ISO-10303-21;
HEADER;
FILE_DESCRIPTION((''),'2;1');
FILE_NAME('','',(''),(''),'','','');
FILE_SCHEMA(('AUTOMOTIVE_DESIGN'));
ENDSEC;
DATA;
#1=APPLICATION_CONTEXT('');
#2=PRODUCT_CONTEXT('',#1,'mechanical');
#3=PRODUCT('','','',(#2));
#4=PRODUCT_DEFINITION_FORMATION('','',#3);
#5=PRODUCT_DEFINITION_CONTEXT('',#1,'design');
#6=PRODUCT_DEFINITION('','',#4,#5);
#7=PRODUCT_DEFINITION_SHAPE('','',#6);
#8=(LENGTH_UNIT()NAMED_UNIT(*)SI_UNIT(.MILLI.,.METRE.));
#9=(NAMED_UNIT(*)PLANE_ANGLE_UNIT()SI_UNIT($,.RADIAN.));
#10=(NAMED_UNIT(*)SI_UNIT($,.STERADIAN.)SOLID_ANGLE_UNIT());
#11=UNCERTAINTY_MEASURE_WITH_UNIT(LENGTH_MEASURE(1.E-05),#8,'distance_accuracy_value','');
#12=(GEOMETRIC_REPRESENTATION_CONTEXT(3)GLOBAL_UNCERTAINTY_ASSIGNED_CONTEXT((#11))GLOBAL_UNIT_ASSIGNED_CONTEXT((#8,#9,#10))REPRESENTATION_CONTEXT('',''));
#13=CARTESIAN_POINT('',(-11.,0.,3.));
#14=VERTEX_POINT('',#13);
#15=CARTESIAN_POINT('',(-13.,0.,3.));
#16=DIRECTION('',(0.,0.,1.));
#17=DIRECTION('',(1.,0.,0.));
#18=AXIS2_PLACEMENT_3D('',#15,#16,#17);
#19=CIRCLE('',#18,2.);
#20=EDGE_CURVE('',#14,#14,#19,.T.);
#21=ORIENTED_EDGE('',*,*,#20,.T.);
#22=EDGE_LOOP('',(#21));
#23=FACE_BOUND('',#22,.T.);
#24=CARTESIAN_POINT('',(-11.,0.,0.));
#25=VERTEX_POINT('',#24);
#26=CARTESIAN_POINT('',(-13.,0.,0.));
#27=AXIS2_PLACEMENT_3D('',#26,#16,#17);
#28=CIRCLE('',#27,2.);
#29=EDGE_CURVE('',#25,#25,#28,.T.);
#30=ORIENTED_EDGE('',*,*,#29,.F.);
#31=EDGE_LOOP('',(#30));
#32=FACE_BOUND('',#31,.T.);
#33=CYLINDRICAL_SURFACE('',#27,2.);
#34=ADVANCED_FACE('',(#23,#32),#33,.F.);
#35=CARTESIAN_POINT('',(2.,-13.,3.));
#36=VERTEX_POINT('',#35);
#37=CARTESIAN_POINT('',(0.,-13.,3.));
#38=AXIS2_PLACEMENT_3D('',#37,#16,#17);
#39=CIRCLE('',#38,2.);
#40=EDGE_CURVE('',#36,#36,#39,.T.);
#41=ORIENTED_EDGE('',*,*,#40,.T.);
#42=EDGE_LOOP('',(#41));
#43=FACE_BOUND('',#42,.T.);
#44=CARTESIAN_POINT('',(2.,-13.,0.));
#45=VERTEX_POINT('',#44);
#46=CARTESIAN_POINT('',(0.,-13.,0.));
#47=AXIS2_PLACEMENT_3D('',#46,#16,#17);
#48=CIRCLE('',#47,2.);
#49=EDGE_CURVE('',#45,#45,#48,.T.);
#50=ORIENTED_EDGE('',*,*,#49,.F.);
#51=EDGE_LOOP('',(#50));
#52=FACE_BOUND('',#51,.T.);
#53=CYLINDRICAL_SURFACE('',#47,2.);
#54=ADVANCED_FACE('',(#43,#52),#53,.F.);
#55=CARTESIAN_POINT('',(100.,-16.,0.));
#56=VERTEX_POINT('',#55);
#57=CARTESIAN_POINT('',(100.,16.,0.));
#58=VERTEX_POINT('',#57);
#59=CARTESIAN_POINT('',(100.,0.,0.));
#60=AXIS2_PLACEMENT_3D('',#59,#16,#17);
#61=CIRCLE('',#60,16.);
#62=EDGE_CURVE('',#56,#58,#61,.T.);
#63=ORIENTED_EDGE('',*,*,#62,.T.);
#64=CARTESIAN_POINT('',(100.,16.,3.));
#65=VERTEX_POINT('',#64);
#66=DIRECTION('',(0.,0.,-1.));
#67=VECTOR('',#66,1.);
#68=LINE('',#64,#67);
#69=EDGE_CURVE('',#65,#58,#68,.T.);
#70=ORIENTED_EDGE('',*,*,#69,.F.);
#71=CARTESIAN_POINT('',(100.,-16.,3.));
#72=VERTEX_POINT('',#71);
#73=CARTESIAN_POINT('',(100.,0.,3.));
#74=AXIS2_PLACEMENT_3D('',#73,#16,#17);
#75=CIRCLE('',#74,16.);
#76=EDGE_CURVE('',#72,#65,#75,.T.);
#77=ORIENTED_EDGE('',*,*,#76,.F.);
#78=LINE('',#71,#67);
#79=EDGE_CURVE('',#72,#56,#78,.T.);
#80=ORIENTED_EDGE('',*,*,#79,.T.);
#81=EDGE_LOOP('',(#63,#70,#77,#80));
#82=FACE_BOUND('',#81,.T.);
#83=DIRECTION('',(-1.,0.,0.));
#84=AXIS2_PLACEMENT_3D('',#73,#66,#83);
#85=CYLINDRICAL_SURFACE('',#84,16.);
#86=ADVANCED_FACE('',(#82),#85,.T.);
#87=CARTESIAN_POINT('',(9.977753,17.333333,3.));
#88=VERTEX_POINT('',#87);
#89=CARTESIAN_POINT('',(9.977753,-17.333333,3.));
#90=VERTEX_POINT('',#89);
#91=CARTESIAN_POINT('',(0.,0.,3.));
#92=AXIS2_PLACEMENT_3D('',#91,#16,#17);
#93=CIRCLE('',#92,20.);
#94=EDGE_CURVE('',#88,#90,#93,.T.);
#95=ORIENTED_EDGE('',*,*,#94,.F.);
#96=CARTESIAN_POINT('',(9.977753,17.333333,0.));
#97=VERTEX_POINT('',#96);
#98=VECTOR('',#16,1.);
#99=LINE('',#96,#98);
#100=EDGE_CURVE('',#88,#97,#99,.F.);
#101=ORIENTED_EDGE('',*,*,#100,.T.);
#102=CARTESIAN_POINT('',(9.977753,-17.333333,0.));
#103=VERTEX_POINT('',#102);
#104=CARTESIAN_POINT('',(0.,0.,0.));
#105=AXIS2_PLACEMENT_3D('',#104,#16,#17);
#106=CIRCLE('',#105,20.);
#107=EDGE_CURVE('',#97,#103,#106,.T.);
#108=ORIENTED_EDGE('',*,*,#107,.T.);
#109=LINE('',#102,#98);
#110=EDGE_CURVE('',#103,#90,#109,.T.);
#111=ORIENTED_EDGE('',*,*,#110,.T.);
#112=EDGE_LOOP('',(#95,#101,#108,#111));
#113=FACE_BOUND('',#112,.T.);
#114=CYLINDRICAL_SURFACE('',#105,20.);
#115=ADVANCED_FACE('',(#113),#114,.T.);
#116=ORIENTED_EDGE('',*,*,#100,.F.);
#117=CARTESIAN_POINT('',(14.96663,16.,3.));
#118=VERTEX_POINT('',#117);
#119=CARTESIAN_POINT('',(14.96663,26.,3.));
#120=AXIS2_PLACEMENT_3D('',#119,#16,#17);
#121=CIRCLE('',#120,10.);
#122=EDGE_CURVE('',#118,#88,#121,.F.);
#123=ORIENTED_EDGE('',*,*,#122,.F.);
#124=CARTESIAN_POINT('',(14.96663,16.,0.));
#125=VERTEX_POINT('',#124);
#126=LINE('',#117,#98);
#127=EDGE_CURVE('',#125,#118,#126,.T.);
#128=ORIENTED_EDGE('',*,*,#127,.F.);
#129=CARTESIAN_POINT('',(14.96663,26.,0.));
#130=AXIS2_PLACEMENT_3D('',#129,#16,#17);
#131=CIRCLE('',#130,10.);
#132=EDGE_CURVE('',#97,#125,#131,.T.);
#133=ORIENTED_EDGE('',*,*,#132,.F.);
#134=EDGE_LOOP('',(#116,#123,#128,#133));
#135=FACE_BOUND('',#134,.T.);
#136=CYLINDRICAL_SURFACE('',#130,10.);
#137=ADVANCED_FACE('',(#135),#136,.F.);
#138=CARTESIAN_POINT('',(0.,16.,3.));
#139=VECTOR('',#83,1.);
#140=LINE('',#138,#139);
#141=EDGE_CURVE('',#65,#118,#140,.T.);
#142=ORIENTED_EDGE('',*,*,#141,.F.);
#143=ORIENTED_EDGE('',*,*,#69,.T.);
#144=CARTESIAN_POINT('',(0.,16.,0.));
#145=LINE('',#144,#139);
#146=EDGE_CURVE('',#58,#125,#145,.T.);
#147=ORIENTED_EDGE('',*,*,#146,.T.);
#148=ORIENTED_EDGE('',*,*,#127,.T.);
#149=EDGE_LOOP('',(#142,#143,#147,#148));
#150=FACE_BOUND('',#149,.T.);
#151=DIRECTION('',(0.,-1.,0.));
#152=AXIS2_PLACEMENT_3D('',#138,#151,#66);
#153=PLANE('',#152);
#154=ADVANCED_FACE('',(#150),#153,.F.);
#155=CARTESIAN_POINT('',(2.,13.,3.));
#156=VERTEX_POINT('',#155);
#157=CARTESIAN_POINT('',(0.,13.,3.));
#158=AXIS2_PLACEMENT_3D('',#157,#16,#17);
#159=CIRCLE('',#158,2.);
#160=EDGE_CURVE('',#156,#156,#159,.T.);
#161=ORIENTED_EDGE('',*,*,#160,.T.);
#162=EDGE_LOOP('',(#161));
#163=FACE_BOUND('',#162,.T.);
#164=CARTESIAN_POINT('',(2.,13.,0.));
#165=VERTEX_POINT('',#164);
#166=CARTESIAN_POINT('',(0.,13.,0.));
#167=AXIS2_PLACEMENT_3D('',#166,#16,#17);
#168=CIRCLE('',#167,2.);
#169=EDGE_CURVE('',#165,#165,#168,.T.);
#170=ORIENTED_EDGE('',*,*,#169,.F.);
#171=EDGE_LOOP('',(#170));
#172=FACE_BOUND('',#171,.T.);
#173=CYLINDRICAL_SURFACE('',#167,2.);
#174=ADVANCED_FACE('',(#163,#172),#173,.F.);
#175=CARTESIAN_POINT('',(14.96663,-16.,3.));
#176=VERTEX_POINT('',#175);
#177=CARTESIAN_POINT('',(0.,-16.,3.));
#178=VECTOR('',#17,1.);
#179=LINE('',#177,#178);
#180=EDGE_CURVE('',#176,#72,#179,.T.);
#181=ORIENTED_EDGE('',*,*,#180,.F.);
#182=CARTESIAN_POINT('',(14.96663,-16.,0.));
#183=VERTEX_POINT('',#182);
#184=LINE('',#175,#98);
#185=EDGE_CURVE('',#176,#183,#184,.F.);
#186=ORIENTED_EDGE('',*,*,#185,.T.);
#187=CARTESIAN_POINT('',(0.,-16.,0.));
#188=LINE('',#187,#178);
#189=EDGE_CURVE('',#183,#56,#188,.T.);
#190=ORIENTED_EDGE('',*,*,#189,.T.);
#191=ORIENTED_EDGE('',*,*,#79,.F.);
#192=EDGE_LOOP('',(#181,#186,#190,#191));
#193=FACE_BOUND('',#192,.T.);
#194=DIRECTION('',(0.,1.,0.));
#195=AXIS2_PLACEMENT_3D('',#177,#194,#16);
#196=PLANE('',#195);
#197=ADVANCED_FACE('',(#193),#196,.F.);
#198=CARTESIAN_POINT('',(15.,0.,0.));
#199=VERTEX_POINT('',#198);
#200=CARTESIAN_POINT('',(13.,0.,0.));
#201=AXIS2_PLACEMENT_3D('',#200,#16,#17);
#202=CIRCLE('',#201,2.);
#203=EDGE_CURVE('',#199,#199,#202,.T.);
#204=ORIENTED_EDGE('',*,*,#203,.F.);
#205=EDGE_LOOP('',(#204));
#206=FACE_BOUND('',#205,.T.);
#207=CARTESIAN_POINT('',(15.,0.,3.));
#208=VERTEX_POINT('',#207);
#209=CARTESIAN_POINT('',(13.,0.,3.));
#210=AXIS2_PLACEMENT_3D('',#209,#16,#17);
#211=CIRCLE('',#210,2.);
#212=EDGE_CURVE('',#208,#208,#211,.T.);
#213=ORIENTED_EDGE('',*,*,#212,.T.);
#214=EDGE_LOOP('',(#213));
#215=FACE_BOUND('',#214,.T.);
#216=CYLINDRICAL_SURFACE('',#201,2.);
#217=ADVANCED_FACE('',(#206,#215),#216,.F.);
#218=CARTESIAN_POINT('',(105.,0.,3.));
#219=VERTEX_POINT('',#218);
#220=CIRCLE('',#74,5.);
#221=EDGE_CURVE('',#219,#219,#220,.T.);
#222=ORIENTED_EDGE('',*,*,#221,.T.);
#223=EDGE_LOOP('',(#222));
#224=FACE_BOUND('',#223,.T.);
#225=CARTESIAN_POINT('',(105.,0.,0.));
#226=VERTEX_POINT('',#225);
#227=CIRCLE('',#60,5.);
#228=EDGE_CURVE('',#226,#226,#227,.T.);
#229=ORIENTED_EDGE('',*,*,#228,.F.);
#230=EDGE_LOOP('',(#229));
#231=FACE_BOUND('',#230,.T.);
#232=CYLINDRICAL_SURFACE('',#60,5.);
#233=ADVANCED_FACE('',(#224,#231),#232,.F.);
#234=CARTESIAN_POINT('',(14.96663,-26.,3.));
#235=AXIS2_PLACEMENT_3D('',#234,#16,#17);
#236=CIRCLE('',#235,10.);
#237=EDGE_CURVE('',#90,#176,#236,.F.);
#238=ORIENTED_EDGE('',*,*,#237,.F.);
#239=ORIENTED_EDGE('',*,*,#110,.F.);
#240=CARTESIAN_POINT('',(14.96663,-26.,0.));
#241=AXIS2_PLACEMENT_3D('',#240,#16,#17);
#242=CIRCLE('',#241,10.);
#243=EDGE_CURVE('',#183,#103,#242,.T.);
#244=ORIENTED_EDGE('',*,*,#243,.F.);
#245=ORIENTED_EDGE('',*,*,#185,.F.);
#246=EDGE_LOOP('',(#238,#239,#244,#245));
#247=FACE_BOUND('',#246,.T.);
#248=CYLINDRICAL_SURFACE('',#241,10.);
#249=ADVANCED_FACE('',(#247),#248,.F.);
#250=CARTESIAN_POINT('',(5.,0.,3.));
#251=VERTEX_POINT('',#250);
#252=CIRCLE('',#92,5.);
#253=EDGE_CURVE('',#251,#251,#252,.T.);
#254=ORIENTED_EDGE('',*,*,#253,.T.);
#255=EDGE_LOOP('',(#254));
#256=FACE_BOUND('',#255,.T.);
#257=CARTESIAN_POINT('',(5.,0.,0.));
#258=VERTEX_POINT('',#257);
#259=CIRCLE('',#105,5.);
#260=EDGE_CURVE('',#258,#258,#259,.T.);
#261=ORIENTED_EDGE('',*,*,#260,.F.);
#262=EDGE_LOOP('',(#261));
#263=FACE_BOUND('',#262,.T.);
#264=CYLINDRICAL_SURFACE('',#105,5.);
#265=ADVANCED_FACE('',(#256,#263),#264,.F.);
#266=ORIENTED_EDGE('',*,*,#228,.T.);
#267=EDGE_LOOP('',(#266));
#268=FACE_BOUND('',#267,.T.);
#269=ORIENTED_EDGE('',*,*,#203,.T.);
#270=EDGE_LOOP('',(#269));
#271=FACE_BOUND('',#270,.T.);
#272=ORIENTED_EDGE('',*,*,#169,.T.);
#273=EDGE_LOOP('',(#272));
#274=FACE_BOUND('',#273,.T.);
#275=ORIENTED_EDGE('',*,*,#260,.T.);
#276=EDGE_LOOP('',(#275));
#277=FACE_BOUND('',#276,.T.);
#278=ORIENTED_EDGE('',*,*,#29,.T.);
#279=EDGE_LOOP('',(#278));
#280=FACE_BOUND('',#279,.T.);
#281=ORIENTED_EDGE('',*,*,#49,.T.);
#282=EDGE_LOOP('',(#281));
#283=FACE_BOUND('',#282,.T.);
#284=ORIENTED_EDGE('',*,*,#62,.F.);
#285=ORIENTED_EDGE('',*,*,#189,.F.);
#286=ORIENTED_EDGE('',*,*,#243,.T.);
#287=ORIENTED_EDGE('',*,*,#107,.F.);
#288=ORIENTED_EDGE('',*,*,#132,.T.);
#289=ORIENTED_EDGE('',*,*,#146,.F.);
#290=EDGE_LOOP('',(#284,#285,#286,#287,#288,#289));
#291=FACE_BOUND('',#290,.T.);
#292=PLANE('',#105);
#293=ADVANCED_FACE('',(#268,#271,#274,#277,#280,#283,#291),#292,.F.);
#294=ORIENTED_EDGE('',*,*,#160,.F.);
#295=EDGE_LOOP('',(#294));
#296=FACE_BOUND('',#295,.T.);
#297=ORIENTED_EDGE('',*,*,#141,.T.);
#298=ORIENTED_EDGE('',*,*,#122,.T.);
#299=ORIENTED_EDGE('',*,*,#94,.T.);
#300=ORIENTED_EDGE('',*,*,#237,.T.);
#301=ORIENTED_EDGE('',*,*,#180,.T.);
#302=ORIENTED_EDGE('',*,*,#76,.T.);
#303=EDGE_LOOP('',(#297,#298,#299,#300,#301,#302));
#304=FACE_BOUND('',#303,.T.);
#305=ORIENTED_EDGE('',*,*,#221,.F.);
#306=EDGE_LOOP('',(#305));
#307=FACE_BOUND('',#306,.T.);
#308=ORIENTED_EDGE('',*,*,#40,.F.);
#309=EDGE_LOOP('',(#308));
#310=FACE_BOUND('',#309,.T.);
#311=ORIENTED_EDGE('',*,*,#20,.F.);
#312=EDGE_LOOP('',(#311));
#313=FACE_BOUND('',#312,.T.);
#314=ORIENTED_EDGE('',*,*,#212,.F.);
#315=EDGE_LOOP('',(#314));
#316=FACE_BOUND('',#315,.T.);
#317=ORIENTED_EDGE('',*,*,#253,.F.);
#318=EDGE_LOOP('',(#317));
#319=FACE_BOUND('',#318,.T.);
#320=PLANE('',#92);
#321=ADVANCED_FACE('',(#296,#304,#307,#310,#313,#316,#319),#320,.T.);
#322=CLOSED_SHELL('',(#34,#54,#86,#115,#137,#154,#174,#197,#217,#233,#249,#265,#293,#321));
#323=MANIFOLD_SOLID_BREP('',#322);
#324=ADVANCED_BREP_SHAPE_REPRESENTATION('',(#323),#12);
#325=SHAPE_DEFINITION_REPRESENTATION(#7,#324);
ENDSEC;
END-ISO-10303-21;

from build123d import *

# Parameters (mm, degrees)
EXTRUDE_1_DEPTH     = 3
SKETCH_2_R          = 20
EXTRUDE_2_DEPTH     = 3
FILLET_1_R          = 10
SKETCH_3_R          = 2
SKETCH_3_R_2        = 5
CUT_EXTRUDE_1_DEPTH = 3


with BuildPart() as part:
    # 草图1 → 凸台-拉伸1 (new body)
    with BuildSketch(Plane.XY):
        with BuildLine():
            Line((0, 16), (100, 16))
            ThreePointArc((100, 16), (116, 0), (100, -16))
            Line((100, -16), (0, -16))
            ThreePointArc((0, -16), (-16, 0), (0, 16))
        make_face()
    extrude(amount=EXTRUDE_1_DEPTH)

    # 草图2 → 凸台-拉伸2 (add)
    with BuildSketch(Plane.XY.offset(3)):
        Circle(SKETCH_2_R)
    extrude(amount=-EXTRUDE_2_DEPTH)

    # 圆角1
    fillet_1_edges = [part.edges().sort_by_distance(p)[0] for p in [
        (12, -16, 1.5),
        (12, 16, 1.5),
    ]]
    fillet(fillet_1_edges, radius=FILLET_1_R)

    # 草图3 → 切除-拉伸1 (cut)
    with BuildSketch(Plane.XY.offset(3)):
        with Locations((0, 13)):
            Circle(SKETCH_3_R)
        with Locations((13, 0)):
            Circle(SKETCH_3_R)
        with Locations((0, -13)):
            Circle(SKETCH_3_R)
        with Locations((-13, 0)):
            Circle(SKETCH_3_R)
        Circle(SKETCH_3_R_2)
        with Locations((100, 0)):
            Circle(SKETCH_3_R_2)
    extrude(amount=-CUT_EXTRUDE_1_DEPTH, mode=Mode.SUBTRACT)


solid = part.part
